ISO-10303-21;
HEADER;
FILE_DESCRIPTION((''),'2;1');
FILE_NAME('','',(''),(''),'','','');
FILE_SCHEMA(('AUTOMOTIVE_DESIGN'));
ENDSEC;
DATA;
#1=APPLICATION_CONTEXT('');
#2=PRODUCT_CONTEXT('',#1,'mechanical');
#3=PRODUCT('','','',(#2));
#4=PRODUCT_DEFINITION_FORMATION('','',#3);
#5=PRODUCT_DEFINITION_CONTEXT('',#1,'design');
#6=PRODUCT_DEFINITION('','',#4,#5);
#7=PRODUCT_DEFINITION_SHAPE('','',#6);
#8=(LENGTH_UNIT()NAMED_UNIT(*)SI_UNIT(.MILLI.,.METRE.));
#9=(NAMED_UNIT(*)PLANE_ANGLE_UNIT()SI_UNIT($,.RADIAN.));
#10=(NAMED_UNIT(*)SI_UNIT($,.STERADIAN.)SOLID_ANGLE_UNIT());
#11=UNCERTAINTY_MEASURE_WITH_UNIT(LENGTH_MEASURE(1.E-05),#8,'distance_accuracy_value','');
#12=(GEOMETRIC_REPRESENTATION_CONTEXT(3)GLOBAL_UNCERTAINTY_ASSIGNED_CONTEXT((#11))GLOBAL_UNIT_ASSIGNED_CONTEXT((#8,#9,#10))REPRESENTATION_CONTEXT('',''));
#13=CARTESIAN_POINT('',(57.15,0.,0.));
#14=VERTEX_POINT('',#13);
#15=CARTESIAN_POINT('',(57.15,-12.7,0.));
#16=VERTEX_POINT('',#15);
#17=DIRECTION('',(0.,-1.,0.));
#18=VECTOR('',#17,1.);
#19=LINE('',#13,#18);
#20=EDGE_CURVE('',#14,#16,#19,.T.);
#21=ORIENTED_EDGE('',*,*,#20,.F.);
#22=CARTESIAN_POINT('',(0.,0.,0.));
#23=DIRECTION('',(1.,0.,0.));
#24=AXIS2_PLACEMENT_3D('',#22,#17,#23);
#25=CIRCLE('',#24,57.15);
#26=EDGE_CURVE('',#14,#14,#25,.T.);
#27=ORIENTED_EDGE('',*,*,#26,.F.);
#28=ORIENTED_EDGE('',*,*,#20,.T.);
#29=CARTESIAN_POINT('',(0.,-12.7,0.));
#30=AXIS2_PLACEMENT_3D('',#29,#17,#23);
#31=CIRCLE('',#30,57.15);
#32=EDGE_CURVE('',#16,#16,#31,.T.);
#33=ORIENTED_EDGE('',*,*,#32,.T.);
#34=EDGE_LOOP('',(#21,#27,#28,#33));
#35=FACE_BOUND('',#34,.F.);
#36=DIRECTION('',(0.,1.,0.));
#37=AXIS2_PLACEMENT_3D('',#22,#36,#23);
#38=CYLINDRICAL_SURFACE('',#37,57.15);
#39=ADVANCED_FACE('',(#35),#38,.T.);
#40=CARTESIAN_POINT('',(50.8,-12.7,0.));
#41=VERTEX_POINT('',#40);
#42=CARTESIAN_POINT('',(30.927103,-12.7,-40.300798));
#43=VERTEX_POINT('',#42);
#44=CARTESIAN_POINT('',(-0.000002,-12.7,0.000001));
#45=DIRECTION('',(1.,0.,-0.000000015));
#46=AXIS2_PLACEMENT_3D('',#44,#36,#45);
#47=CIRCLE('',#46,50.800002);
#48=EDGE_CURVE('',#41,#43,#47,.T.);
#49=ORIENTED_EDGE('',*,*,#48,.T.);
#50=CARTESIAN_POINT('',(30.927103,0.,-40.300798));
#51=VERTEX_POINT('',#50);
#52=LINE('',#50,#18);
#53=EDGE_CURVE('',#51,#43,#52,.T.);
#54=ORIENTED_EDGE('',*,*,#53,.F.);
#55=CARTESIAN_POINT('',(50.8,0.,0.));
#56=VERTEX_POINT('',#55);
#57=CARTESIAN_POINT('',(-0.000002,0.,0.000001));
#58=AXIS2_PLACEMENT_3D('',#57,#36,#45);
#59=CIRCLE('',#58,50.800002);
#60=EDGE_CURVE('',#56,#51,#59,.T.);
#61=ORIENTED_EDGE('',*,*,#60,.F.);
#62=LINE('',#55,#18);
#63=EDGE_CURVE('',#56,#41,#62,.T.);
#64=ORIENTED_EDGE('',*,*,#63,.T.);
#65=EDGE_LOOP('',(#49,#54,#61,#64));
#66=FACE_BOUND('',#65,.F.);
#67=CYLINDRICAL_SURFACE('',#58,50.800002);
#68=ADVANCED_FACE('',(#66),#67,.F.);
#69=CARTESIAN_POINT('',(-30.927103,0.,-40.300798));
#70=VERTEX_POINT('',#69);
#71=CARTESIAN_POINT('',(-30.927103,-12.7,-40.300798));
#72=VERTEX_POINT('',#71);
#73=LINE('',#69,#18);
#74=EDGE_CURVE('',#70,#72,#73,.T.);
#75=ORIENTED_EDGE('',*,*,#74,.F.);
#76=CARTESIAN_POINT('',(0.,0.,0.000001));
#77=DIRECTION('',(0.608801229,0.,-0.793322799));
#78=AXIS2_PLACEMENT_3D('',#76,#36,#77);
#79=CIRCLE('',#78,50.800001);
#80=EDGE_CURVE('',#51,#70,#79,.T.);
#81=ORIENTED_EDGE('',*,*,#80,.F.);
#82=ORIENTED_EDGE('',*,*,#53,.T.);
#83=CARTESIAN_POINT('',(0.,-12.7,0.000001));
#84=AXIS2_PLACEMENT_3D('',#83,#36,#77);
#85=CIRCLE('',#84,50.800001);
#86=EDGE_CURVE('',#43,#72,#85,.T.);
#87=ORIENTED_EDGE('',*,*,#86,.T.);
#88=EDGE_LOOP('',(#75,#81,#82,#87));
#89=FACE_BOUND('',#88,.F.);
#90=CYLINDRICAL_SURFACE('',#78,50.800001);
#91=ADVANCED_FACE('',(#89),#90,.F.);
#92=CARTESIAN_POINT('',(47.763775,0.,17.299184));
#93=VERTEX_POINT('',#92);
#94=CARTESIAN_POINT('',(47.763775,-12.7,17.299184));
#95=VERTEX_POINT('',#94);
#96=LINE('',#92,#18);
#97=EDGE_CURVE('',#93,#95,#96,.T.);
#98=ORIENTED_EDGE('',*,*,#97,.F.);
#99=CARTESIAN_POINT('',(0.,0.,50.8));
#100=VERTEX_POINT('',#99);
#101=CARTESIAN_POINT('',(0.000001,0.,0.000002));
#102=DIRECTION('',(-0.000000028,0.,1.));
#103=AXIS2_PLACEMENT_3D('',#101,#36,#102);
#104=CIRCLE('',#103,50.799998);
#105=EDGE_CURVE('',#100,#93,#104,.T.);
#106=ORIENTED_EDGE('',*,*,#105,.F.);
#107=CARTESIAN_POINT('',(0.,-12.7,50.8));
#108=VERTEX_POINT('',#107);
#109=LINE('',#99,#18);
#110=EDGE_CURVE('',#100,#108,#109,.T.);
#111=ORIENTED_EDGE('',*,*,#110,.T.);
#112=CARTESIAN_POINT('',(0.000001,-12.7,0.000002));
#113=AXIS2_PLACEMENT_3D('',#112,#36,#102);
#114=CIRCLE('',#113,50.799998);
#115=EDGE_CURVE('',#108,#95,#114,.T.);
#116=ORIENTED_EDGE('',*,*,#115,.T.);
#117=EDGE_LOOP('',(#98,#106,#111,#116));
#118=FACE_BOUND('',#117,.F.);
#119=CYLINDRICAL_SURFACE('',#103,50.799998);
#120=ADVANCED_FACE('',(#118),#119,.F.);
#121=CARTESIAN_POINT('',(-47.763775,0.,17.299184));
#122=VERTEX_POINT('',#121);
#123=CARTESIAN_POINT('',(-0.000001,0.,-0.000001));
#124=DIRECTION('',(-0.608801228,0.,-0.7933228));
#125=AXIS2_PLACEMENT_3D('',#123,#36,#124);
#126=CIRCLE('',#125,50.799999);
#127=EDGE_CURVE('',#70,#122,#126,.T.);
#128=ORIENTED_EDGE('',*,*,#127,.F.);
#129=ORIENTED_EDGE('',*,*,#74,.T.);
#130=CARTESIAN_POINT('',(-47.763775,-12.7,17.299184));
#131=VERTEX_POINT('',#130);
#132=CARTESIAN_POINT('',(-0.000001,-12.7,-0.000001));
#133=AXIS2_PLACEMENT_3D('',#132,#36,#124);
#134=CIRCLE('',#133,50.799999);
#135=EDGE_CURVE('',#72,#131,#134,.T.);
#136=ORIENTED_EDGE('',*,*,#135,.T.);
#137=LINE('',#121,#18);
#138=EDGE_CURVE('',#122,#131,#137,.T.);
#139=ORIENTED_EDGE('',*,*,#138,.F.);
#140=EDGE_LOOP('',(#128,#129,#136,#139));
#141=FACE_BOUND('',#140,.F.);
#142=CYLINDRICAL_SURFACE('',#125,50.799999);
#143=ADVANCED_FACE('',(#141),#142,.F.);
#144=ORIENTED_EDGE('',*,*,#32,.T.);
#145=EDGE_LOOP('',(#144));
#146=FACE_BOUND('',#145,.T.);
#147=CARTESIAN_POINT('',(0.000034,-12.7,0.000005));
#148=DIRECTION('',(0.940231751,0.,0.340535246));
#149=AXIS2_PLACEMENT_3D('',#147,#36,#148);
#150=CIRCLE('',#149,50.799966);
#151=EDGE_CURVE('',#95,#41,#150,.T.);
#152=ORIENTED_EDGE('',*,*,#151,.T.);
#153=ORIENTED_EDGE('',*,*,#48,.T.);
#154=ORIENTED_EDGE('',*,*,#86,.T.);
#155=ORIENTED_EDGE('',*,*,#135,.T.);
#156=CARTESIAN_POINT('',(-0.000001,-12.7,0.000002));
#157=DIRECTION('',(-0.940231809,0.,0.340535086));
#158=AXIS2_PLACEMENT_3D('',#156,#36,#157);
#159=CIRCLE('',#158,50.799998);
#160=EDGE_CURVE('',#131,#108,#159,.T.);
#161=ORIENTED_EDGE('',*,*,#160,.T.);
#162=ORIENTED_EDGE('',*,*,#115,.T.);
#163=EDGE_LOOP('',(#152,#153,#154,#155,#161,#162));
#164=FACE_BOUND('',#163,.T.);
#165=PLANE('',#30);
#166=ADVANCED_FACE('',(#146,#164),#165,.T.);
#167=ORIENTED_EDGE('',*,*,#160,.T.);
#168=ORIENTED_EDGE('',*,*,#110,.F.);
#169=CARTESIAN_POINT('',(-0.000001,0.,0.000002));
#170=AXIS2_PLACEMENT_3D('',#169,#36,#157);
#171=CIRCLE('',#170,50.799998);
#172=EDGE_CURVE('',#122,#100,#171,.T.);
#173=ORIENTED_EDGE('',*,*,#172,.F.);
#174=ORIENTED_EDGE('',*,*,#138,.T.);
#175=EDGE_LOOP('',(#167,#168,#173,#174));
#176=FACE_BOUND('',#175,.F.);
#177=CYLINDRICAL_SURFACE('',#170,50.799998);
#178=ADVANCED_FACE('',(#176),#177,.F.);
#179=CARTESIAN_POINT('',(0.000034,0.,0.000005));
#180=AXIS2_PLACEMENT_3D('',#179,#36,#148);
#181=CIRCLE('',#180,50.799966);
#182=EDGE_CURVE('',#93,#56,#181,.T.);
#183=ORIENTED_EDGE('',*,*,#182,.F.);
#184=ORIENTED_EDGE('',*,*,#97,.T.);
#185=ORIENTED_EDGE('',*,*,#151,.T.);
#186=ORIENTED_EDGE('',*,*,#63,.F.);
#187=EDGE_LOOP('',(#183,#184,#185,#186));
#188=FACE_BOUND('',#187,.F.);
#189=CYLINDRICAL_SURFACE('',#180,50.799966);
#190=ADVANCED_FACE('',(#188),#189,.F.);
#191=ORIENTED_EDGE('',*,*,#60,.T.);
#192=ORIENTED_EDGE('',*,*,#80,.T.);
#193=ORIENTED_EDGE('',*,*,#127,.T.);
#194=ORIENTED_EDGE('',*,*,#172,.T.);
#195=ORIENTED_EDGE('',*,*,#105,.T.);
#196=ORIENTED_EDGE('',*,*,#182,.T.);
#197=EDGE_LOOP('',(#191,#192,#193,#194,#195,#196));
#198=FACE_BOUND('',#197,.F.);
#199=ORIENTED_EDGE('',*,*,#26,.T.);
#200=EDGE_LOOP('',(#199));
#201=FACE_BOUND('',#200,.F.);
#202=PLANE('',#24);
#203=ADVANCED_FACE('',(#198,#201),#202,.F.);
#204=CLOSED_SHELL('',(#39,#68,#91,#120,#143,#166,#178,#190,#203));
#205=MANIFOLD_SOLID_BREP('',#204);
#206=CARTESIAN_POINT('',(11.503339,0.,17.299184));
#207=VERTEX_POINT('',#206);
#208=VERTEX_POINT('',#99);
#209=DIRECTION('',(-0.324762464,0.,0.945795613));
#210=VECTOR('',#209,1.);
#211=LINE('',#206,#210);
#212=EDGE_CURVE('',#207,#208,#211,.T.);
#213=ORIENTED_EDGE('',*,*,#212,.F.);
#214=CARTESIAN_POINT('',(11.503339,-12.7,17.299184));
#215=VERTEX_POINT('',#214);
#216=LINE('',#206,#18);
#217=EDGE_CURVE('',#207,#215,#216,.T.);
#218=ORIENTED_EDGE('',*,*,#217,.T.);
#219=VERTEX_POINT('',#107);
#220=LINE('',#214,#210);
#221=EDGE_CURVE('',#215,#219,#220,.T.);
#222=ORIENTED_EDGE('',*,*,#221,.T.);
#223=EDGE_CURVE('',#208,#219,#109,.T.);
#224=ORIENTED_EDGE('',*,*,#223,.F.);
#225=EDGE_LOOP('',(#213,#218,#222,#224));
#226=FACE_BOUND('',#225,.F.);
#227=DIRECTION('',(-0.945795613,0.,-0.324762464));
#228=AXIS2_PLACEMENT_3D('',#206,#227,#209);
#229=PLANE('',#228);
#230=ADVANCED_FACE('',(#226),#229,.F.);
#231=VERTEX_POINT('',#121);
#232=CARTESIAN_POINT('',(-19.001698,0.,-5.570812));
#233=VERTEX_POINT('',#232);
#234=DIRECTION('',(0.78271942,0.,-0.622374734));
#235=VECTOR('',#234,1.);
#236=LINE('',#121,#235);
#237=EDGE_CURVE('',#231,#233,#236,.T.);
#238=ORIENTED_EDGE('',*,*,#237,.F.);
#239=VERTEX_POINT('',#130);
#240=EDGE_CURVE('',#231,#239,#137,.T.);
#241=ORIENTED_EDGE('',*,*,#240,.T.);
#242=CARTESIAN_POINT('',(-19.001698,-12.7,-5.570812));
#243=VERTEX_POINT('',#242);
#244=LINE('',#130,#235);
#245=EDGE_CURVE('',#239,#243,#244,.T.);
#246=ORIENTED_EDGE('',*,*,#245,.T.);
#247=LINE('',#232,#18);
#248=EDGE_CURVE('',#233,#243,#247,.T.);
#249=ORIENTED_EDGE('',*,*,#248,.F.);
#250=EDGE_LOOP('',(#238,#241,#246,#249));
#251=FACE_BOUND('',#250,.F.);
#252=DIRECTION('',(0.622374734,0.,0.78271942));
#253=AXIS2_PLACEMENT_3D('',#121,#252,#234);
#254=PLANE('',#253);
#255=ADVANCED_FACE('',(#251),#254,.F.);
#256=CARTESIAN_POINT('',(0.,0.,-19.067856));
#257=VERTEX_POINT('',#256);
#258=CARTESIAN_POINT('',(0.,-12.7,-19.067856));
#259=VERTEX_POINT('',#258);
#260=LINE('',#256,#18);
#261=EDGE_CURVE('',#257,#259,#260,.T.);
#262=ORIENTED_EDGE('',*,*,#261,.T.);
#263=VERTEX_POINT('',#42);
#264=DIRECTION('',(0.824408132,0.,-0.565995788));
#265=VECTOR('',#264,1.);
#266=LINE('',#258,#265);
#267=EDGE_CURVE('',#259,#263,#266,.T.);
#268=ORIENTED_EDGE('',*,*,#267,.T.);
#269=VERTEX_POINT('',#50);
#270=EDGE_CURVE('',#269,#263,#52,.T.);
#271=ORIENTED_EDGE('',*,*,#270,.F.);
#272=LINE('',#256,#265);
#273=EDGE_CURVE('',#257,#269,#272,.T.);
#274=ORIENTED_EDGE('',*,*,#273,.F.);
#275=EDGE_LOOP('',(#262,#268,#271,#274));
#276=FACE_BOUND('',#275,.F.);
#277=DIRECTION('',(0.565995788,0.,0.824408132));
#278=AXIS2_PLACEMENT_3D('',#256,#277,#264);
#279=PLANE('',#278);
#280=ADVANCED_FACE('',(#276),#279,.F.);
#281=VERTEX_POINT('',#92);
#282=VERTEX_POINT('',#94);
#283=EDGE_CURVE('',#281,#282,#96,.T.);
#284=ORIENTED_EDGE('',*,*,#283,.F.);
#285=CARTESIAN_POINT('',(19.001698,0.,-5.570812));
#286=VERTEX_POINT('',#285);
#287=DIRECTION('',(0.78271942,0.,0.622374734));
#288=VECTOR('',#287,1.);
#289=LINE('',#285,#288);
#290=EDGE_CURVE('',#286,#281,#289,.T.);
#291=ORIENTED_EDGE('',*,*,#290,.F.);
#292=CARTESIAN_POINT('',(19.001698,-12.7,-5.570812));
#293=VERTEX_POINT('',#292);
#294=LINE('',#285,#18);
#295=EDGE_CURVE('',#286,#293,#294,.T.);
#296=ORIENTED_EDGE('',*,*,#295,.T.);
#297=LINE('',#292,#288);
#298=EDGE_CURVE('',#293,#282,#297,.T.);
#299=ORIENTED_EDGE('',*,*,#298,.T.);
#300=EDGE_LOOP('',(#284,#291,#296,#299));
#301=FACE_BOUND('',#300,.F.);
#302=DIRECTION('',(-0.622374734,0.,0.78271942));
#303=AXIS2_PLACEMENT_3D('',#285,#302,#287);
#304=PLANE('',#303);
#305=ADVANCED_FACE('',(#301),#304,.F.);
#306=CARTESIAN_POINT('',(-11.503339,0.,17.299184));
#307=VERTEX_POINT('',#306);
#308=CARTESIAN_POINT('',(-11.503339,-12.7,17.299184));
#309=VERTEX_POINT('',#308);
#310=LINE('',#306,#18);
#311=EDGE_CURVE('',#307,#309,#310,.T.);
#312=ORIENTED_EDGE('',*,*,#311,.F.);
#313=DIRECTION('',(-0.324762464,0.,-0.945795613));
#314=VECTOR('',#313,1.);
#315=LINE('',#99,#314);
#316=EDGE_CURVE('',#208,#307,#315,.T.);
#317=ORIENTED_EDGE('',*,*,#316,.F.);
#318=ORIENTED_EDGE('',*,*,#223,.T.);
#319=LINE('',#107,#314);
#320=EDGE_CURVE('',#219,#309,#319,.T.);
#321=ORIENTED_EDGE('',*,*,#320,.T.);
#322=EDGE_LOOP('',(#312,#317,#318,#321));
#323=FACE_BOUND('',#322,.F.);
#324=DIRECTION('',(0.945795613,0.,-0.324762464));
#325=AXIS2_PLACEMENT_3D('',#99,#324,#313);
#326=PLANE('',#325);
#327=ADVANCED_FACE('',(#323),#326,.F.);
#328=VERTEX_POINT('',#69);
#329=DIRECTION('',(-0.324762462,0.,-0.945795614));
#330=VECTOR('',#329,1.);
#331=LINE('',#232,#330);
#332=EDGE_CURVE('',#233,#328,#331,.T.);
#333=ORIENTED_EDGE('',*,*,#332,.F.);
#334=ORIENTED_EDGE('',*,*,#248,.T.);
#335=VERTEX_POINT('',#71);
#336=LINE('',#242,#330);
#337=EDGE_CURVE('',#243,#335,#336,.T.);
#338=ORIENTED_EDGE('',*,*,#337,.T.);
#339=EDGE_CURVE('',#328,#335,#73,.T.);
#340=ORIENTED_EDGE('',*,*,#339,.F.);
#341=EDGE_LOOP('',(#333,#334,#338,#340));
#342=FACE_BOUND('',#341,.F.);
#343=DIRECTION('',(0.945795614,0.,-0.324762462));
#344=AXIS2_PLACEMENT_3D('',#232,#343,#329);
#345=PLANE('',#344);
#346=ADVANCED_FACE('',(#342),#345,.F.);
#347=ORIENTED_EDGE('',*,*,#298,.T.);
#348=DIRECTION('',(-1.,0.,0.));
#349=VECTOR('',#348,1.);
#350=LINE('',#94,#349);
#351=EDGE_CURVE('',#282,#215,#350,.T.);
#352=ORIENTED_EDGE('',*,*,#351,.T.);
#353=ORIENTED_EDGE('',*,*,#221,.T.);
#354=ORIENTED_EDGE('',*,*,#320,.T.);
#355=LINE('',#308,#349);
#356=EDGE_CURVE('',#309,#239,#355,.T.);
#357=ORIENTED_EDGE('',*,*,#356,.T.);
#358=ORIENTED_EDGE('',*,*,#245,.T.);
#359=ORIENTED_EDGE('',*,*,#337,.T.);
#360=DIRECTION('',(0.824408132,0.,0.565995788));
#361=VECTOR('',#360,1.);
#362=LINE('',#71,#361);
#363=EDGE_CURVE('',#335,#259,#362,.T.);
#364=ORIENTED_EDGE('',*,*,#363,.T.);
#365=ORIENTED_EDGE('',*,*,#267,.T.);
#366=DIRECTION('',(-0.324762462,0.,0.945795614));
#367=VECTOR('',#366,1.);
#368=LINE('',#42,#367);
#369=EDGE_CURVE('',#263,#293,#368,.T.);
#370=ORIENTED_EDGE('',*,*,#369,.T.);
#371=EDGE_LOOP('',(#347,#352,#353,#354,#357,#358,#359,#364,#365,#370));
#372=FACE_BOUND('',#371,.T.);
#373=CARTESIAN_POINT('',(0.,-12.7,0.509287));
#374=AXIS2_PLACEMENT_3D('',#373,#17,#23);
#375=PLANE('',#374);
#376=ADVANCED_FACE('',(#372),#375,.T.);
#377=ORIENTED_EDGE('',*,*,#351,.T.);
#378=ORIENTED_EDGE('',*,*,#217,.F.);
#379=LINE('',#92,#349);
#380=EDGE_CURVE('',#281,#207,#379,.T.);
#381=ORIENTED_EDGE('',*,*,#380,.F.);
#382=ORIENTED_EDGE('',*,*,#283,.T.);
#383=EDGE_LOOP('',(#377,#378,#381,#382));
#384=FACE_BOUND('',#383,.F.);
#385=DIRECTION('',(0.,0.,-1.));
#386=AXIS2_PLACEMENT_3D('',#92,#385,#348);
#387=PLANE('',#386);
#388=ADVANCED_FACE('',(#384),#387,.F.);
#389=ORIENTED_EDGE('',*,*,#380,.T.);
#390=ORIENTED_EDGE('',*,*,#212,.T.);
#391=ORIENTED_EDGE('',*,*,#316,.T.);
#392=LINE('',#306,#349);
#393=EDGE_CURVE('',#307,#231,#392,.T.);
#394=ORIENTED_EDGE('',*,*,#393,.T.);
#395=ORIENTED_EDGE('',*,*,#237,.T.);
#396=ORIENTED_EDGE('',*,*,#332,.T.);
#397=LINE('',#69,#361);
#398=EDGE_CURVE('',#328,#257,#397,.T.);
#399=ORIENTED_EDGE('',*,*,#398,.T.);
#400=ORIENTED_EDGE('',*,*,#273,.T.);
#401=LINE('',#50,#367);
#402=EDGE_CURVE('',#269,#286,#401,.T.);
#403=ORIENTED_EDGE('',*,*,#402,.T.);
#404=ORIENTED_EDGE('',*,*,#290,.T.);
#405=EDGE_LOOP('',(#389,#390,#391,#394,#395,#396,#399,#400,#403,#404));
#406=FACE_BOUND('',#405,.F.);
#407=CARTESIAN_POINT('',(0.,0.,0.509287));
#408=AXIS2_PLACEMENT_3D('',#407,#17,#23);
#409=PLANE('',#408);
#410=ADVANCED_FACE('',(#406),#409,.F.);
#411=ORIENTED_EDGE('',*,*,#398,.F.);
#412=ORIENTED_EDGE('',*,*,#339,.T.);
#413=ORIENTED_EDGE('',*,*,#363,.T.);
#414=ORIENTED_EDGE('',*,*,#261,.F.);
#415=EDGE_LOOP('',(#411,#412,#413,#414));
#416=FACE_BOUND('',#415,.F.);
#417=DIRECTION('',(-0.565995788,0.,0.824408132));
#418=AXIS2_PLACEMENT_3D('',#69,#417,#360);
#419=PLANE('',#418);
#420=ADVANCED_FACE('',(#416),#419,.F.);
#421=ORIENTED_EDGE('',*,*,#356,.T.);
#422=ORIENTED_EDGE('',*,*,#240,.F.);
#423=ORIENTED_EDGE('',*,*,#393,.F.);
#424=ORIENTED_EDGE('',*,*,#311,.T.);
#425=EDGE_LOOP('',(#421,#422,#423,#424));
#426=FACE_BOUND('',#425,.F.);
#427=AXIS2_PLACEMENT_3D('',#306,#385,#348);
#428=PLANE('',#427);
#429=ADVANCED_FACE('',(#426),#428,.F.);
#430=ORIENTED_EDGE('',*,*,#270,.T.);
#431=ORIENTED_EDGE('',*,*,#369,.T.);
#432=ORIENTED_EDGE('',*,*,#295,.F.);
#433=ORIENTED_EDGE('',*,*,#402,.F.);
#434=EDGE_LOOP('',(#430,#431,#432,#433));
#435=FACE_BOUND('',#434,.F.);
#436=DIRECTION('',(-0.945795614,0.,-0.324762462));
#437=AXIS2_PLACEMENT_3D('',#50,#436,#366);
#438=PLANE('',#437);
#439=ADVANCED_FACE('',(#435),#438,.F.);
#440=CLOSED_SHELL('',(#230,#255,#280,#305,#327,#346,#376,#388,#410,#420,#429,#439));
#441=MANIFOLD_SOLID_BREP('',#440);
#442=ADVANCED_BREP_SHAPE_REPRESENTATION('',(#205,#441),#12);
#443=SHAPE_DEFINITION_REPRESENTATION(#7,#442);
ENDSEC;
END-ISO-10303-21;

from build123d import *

# Parameters (mm, degrees)
F0_R     = 57.15
F1_DEPTH = 12.7


with BuildPart() as f1:
    # F0 (on Front) → F1 (new body)
    with BuildSketch(Plane.XZ):
        Circle(F0_R)
        with BuildLine():
            ThreePointArc((47.763775, 17.299184), (50.035187, 8.781805), (50.8, 0))
            ThreePointArc((50.8, 0), (45.561699, -22.467122), (30.927103, -40.300798))
            ThreePointArc((30.927103, -40.300798), (0, -50.8), (-30.927103, -40.300798))
            ThreePointArc((-30.927103, -40.300798), (-48.759646, -14.252612), (-47.763775, 17.299184))
            ThreePointArc((-47.763775, 17.299184), (-29.170546, 41.589894), (0, 50.8))
            ThreePointArc((0, 50.8), (29.170546, 41.589894), (47.763775, 17.299184))
        make_face(mode=Mode.SUBTRACT)
        Polygon((19.001698, -5.570812), (47.763775, 17.299184), (11.503339, 17.299184), (0, 50.8), (-11.503339, 17.299184), (-47.763775, 17.299184), (-19.001698, -5.570812), (-30.927103, -40.300798), (0, -19.067856), (30.927103, -40.300798), align=None)
    extrude(amount=F1_DEPTH)


solid = f1.part
